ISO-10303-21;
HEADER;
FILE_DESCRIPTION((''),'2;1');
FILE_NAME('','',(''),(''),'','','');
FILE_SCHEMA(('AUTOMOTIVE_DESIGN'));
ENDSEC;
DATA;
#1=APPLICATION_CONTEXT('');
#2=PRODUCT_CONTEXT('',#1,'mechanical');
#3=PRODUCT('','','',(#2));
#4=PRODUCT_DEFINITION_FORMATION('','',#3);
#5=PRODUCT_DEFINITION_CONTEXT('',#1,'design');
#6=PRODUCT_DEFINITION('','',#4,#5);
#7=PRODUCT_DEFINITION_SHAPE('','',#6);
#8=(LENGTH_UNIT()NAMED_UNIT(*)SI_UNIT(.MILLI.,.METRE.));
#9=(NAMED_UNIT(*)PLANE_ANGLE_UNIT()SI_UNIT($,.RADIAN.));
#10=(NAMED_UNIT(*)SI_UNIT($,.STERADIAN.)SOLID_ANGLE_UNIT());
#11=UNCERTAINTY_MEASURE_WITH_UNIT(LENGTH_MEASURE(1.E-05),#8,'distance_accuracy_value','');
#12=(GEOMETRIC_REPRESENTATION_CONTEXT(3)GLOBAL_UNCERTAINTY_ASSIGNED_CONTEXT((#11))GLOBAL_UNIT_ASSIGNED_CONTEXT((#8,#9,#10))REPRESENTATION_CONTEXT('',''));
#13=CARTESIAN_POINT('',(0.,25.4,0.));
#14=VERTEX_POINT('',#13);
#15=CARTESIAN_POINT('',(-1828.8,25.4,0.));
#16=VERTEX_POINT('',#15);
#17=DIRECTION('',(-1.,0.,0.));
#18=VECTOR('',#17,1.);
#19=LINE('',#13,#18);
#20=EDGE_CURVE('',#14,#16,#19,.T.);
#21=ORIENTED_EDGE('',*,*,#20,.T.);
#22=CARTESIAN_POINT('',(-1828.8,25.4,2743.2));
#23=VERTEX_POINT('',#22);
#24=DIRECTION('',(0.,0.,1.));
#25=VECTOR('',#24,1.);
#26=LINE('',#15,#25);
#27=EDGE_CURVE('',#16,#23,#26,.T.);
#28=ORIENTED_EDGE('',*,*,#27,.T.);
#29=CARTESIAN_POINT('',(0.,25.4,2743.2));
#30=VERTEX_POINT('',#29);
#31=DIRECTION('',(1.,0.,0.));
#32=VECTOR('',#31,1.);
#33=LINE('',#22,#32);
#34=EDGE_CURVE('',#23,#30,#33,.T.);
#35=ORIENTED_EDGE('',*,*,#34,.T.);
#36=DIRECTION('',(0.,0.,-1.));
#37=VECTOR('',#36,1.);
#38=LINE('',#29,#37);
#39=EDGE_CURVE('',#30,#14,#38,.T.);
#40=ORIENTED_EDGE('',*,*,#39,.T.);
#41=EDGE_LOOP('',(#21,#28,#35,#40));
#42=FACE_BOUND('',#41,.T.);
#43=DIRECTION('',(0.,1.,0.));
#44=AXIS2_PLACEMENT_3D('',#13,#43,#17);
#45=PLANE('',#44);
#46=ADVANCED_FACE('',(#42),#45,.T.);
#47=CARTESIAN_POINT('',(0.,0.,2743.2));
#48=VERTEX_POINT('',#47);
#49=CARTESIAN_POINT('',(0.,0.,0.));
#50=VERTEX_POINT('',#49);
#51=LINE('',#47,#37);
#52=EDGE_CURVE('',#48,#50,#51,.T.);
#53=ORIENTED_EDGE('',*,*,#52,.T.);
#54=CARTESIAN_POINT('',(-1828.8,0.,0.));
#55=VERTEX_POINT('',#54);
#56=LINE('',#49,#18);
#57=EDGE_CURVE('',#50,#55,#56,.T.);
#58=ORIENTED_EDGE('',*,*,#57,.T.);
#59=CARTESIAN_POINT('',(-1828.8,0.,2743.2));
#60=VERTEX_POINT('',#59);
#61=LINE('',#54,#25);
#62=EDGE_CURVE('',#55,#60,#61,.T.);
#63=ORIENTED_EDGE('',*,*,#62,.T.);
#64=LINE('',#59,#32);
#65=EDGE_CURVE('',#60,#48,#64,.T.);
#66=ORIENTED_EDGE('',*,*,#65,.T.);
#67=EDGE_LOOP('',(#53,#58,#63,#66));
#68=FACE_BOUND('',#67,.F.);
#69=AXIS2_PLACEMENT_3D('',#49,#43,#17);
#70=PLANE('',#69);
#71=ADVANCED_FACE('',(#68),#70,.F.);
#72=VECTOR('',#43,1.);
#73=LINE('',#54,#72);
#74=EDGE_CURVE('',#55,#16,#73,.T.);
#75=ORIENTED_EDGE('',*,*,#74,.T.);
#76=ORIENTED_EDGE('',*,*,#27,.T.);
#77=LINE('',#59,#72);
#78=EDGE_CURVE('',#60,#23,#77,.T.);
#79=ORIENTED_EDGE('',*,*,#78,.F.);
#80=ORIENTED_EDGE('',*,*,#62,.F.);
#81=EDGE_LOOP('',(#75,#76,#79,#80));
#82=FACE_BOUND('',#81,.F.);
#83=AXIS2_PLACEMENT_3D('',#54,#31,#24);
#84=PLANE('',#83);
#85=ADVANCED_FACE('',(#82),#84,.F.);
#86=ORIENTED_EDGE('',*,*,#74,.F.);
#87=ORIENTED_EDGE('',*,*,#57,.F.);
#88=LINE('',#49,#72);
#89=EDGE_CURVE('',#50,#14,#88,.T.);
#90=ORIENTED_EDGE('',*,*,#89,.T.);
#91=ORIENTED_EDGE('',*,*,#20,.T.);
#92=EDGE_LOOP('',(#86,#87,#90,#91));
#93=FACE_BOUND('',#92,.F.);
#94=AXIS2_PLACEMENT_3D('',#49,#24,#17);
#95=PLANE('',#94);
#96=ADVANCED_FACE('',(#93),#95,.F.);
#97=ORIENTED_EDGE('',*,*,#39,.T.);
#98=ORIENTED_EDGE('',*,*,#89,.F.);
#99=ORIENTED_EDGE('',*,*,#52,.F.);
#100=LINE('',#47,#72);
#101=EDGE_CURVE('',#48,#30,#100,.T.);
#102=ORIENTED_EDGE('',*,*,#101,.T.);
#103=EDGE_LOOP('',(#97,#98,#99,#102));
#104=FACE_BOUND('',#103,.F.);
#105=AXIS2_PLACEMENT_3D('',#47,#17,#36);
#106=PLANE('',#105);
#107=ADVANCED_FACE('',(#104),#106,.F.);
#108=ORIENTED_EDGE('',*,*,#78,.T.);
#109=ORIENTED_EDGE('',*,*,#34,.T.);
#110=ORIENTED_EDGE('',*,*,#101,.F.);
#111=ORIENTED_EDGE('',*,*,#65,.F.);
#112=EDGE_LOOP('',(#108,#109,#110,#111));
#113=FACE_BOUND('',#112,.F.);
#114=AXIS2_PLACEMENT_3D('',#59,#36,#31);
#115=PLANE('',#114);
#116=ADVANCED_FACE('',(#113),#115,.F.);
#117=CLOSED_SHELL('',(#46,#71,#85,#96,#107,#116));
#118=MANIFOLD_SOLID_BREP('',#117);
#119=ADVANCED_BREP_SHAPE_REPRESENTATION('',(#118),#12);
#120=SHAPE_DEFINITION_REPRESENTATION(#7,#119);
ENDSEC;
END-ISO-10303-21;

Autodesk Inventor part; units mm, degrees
ref_plane "YZ Plane" through (0, 0, 0) normal (1, 0, 0) x (0, 1, 0)
ref_plane "XZ Plane" through (0, 0, 0) normal (0, 1, 0) x (-1, 0, 0)
ref_plane "XY Plane" through (0, 0, 0) normal (0, 0, 1) x (1, 0, 0)
sketch "Sketch2" plane through (0, 0, 0) normal (0, 1, 0) x (-1, 0, 0)
  line L0 (0, 0) -> (1828.8, 0)
  line L1 (1828.8, 0) -> (1828.8, 2743.2)
  line L2 (1828.8, 2743.2) -> (0, 2743.2)
  line L3 (0, 2743.2) -> (0, 0)
  dimension "d0" = 2743.2
  dimension "d1" = 1828.8
extrude "Extrusion1" add sketch "Sketch2" along normal blind 25.4
properties part number "floor"
